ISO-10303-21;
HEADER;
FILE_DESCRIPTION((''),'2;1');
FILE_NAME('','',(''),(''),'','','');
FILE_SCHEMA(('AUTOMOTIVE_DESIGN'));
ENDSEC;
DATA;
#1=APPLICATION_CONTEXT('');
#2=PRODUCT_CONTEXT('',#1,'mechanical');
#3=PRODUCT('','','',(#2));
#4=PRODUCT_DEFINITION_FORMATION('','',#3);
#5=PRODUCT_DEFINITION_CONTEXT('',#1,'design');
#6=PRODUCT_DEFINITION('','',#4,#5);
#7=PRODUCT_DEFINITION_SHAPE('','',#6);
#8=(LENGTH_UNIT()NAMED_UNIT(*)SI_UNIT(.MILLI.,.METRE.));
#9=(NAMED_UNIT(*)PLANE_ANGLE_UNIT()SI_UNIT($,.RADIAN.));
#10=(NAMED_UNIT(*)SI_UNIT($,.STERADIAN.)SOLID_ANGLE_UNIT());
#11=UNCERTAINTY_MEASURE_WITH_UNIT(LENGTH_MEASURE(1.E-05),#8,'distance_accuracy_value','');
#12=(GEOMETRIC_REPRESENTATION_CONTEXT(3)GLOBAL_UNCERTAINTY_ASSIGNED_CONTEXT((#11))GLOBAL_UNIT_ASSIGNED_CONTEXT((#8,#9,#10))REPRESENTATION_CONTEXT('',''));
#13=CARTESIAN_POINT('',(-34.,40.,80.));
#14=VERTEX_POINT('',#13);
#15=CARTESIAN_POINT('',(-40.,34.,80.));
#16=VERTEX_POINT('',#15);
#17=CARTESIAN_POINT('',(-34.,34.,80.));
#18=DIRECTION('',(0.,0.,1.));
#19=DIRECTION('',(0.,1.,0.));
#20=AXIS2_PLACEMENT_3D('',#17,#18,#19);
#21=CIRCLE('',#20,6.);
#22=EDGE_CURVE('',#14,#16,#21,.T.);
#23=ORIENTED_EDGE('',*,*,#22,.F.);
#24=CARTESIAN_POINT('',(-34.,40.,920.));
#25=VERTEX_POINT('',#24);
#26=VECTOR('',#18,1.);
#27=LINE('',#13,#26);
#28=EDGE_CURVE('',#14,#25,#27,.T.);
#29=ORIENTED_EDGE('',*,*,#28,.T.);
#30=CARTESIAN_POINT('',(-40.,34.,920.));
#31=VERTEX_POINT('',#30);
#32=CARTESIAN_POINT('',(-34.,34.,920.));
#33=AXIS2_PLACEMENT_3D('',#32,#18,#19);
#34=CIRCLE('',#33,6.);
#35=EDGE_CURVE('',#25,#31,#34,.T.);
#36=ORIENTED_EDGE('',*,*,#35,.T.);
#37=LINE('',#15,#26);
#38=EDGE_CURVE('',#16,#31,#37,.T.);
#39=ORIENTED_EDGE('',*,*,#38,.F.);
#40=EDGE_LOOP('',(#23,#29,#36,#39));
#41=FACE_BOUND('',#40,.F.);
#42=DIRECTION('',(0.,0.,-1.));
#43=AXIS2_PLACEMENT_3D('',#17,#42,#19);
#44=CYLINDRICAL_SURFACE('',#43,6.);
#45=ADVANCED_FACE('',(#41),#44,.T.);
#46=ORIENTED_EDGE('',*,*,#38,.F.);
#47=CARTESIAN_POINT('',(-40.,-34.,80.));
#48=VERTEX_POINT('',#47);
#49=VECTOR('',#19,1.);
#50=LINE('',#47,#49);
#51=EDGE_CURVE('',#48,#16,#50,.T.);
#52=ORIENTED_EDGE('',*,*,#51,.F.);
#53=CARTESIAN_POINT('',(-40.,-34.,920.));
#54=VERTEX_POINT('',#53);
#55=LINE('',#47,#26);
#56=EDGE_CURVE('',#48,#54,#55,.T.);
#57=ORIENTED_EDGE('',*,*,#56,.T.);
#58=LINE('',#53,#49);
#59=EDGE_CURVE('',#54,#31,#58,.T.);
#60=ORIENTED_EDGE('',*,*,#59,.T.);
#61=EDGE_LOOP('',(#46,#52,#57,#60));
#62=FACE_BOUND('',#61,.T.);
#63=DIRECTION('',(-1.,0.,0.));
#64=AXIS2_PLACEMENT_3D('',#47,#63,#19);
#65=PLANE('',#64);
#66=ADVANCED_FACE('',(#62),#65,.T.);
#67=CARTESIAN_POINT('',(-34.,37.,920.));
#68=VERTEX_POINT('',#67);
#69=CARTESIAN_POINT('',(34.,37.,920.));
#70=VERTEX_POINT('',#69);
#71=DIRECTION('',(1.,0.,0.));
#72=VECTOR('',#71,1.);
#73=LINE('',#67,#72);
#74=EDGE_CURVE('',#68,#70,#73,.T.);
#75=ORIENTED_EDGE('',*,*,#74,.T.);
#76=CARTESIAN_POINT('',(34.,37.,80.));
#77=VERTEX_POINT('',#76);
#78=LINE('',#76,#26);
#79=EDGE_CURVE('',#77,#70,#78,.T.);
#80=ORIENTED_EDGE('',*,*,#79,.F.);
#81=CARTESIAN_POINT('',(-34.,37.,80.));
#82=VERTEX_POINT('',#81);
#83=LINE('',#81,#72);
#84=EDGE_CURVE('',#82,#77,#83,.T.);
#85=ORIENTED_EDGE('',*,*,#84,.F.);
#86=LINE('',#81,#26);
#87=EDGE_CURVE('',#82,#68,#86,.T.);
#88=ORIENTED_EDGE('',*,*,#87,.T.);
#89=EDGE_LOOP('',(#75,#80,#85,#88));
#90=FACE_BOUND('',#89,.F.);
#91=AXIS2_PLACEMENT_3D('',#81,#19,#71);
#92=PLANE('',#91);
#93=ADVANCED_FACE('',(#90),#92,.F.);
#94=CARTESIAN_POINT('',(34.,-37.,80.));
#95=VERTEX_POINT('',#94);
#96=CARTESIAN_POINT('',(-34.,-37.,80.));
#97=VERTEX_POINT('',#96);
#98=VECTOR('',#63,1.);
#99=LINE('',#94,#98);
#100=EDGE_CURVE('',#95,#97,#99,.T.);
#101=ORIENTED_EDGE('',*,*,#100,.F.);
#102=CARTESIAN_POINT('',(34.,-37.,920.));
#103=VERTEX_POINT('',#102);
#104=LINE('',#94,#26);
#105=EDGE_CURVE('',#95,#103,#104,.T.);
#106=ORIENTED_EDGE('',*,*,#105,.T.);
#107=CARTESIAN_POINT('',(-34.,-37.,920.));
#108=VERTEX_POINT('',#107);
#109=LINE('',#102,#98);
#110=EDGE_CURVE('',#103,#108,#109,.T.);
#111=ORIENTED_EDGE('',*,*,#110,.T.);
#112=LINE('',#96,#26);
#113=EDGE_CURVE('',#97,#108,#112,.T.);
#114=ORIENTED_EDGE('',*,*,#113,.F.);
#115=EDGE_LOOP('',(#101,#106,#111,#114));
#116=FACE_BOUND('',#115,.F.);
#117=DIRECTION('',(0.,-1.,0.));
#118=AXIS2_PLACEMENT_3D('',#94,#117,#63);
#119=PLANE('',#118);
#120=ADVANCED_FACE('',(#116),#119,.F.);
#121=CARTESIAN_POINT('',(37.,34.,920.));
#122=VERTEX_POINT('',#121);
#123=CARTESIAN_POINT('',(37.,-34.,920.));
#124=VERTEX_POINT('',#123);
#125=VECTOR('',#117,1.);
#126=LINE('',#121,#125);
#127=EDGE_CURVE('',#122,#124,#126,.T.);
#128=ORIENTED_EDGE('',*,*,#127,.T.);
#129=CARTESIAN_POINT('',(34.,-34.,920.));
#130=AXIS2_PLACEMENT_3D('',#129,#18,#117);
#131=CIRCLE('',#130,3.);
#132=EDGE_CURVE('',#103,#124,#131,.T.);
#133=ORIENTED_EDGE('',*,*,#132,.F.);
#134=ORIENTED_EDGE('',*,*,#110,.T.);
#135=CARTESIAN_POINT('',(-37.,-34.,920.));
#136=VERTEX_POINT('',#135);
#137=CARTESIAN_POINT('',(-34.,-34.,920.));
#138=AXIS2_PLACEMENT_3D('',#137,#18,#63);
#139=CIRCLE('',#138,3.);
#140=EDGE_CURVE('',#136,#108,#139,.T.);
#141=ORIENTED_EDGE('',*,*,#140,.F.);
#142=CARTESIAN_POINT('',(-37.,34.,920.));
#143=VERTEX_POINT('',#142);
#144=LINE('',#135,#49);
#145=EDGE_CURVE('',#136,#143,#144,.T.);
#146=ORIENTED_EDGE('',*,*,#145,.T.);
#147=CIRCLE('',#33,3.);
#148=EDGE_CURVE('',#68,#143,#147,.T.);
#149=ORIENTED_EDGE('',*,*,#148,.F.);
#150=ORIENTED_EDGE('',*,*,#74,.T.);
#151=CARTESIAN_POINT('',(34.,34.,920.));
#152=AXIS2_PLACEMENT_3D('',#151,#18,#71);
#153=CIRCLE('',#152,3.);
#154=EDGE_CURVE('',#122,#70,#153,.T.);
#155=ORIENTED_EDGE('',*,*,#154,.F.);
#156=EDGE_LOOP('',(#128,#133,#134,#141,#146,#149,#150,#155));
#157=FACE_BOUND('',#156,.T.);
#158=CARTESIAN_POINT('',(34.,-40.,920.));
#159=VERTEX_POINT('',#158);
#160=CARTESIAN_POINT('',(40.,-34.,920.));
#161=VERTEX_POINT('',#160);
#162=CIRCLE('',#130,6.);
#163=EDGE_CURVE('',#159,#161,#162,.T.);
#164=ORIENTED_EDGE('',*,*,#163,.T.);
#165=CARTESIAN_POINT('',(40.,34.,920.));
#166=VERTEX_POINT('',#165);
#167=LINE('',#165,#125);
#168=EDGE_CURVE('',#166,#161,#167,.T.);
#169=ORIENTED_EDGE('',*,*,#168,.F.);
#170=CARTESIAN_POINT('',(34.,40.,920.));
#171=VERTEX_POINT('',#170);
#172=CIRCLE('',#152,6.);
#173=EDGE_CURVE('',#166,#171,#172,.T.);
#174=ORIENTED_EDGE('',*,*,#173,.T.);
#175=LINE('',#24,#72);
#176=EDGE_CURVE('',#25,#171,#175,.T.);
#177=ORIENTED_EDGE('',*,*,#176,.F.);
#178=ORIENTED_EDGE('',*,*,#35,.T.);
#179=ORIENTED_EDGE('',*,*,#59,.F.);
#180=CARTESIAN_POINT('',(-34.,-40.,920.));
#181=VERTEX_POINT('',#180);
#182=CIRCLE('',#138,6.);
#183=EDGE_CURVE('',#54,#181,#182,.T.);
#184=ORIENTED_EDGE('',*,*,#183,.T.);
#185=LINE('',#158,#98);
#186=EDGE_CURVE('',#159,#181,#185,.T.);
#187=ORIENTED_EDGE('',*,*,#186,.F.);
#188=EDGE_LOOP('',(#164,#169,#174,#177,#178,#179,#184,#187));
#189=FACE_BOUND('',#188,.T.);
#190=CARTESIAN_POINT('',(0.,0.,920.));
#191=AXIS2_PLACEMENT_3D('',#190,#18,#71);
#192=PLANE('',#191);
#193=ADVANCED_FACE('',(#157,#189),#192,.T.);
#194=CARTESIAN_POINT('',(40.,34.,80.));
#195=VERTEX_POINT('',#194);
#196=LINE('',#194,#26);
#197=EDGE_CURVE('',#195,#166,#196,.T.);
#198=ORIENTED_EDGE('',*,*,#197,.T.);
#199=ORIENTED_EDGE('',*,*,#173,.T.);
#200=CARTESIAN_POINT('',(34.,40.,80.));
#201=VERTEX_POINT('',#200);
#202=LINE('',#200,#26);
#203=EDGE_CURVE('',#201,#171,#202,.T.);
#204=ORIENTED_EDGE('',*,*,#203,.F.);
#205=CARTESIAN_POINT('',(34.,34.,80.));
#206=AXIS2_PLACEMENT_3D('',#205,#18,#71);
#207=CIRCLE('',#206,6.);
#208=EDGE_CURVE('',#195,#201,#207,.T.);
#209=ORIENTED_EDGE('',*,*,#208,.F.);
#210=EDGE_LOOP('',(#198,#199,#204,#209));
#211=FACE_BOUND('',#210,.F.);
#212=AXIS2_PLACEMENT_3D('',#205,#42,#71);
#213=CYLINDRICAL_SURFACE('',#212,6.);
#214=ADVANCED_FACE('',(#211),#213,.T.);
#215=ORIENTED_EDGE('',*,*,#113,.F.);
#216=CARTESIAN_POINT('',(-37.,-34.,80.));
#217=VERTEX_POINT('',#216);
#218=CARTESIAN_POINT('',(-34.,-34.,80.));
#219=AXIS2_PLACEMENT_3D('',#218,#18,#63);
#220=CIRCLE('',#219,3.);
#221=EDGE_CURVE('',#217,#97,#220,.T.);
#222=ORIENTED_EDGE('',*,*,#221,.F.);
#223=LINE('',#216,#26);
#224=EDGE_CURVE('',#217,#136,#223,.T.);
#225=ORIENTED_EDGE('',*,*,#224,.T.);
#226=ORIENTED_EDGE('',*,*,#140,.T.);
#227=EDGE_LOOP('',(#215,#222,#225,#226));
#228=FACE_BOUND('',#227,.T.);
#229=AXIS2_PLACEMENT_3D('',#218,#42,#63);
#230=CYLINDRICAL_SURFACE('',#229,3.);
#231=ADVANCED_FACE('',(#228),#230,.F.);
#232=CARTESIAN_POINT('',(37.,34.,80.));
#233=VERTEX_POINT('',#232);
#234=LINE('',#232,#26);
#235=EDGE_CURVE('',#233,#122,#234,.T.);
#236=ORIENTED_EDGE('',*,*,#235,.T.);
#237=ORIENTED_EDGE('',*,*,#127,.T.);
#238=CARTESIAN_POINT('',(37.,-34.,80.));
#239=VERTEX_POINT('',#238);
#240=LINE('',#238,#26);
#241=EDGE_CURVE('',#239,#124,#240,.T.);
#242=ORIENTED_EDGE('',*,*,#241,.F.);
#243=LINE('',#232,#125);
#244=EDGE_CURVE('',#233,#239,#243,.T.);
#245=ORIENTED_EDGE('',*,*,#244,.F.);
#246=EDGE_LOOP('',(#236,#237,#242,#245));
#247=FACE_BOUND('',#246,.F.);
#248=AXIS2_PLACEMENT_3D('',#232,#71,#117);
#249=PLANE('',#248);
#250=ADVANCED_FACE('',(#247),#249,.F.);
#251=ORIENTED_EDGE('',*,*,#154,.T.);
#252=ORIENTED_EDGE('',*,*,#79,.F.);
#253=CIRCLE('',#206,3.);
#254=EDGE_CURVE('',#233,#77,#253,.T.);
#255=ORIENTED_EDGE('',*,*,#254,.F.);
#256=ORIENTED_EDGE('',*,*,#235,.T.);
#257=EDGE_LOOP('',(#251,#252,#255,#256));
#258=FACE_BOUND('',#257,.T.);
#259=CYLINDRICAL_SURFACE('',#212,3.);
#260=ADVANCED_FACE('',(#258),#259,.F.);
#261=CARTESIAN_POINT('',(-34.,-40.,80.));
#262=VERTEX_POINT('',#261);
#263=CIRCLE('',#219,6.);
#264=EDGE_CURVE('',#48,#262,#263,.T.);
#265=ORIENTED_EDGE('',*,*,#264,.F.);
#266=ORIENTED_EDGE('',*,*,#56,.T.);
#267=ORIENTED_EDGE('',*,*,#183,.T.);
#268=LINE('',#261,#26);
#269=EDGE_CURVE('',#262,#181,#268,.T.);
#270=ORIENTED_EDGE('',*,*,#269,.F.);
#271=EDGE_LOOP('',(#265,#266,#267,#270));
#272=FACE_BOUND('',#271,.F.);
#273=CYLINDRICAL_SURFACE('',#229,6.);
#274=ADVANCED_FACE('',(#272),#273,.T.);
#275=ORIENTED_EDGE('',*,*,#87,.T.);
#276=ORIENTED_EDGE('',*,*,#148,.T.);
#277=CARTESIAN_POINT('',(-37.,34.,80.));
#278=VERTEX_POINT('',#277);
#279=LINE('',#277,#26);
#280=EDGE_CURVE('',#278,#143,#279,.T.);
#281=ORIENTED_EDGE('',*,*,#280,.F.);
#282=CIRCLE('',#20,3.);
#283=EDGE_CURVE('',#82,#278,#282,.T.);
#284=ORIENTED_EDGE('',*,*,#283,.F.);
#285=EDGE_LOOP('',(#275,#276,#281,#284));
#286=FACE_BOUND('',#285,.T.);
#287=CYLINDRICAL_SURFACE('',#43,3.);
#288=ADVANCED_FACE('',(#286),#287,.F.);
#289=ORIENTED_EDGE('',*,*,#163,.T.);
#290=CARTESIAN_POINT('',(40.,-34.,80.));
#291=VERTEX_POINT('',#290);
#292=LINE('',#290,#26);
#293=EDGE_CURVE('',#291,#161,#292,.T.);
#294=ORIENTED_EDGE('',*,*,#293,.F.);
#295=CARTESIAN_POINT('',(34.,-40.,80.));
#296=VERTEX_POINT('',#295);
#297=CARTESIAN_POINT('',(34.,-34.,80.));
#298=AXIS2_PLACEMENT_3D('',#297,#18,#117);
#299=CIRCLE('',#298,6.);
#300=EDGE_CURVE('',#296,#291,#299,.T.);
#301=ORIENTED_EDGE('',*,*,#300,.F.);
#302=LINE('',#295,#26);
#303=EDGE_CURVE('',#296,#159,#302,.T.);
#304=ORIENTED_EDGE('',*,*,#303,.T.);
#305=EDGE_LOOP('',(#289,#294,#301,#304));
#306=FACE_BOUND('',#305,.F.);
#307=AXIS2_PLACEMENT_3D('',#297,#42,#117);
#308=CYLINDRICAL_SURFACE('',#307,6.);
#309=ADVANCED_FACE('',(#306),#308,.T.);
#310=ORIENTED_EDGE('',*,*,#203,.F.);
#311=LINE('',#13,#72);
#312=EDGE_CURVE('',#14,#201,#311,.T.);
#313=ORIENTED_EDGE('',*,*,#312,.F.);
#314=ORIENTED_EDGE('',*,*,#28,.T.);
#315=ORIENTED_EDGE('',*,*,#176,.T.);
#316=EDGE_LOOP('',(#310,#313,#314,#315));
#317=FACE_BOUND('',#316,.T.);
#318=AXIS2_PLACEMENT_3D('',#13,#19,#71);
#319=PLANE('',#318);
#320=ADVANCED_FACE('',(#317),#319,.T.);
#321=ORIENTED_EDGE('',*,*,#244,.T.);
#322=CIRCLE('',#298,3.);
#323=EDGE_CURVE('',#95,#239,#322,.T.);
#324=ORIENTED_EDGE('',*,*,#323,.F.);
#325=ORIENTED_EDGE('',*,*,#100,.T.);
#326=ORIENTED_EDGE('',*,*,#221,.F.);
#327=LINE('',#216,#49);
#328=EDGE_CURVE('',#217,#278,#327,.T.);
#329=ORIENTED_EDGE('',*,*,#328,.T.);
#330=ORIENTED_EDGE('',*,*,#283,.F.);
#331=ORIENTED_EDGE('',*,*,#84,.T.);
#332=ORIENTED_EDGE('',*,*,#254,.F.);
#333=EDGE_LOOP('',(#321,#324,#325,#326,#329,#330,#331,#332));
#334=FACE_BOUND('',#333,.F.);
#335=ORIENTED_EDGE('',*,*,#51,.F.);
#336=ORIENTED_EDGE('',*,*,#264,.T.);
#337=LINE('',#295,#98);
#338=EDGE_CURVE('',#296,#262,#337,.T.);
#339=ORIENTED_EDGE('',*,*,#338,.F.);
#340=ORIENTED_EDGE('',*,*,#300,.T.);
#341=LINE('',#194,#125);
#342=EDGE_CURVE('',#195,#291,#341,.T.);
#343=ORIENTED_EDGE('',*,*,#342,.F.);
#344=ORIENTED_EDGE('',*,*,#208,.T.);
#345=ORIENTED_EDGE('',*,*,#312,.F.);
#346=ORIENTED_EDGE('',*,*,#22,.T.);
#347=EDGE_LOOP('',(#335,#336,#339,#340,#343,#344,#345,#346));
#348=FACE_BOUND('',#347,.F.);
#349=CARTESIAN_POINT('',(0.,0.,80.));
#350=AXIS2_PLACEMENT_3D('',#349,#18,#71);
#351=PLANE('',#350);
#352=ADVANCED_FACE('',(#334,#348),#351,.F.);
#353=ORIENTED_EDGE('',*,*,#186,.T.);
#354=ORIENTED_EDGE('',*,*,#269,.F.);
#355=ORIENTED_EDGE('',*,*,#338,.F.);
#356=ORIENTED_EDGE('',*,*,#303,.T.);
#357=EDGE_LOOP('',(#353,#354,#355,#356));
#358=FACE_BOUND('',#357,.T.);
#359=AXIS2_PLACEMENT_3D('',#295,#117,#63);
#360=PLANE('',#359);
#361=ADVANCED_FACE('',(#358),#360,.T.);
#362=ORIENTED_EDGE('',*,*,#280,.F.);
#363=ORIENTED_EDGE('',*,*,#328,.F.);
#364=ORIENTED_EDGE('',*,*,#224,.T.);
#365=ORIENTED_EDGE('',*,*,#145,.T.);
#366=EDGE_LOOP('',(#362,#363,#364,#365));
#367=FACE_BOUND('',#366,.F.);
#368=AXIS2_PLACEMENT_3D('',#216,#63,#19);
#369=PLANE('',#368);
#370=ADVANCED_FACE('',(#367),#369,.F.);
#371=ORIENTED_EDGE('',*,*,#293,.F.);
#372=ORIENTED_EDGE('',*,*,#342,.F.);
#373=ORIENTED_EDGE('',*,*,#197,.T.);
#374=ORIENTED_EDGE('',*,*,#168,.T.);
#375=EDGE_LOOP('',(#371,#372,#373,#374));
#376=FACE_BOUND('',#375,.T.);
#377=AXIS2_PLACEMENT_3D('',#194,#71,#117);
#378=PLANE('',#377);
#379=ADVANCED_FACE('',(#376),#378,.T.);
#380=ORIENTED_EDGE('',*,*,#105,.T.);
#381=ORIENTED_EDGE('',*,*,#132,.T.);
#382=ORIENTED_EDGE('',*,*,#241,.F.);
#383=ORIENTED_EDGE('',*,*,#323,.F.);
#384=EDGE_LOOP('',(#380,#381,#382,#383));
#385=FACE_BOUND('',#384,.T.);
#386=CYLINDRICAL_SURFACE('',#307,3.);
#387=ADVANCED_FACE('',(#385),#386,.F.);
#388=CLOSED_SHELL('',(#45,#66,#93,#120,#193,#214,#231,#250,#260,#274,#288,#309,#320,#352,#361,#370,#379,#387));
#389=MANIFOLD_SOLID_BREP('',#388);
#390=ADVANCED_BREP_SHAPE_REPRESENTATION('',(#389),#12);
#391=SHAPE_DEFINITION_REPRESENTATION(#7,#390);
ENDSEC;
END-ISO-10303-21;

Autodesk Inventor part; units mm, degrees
ref_plane "YZ Plane" through (0, 0, 0) normal (1, 0, 0) x (0, 1, 0)
ref_plane "Start Plane" through (0, 0, 80) normal (0, 0, 1) x (1, 0, 0)
ref_plane "End Plane" through (0, 0, 920) normal (0, 0, 1) x (1, 0, 0)
sketch "Sketch" plane through (0, 0, 0) normal (0, 0, 1) x (1, 0, 0)
  line L0 (-40, -34) -> (-40, 34)
  line L1 (-34, 40) -> (34, 40)
  line L2 (40, 34) -> (40, -34)
  line L3 (34, -40) -> (-34, -40)
  arc A0 (-40, -34) -> (-34, -40) centre (-34, -34) ccw
  arc A1 (40, 34) -> (34, 40) centre (34, 34) ccw
  arc A2 (-34, 40) -> (-40, 34) centre (-34, 34) ccw
  arc A3 (34, -40) -> (40, -34) centre (34, -34) ccw
  arc A4 (-34, 37) -> (-37, 34) centre (-34, 34) ccw
  line L4 (-34, 37) -> (34, 37)
  arc A5 (37, 34) -> (34, 37) centre (34, 34) ccw
  line L5 (37, 34) -> (37, -34)
  arc A6 (34, -37) -> (37, -34) centre (34, -34) ccw
  line L6 (34, -37) -> (-34, -37)
  arc A7 (-37, -34) -> (-34, -37) centre (-34, -34) ccw
  line L7 (-37, -34) -> (-37, 34)
  line L8 (0, 57.7397) -> (0, -57.7397) construction
  line L9 (-57.7397, 0) -> (57.7397, 0) construction
  dimension "d7" = 6
  dimension "d9" = 80
  dimension "d11" = 80
  dimension "d12" = 3
  dimension "d15" = 40
  dimension "d16" = 40
extrude "Body" add sketch "Sketch" along normal up to surface (840 mm away) from surface at 80
sketch "Sketch3" plane through (0, 0, 0) normal (0, 0, 1) x (1, 0, 0)
  line L0 (0, 0) -> (10, 0)
ref_plane "Work Plane3" through (0, 0, 0) normal (0, -1, 0) x (1, 0, 0)
sketch "Sketch4" plane through (0, 0, 0) normal (0, -1, 0) x (1, 0, 0)
  line L0 (-2, 80) -> (12, 80) projected
  line L1 (-2, 920) -> (12, 920) projected
  dimension "d18" = 840
equation "\"d7\" = G_IR"
equation "\"d9\" = G_W"
equation "\"d11\" = G_H"
equation "\"d12\" = G_T"
equation "\"d15\" = 0.5 * d9"
equation "\"d16\" = 0.5 * d11"
equation "\"d3\" = G_L"
equation "\"G_W\" = 80"
equation "\"G_H\" = 80"
equation "\"G_T\" = 3"
equation "\"G_IR\" = 6"
equation "\"G_L\" = d18"
properties part number "ISO 10799-2 - 80x80x3 - 840" material "Steel, Mild"
